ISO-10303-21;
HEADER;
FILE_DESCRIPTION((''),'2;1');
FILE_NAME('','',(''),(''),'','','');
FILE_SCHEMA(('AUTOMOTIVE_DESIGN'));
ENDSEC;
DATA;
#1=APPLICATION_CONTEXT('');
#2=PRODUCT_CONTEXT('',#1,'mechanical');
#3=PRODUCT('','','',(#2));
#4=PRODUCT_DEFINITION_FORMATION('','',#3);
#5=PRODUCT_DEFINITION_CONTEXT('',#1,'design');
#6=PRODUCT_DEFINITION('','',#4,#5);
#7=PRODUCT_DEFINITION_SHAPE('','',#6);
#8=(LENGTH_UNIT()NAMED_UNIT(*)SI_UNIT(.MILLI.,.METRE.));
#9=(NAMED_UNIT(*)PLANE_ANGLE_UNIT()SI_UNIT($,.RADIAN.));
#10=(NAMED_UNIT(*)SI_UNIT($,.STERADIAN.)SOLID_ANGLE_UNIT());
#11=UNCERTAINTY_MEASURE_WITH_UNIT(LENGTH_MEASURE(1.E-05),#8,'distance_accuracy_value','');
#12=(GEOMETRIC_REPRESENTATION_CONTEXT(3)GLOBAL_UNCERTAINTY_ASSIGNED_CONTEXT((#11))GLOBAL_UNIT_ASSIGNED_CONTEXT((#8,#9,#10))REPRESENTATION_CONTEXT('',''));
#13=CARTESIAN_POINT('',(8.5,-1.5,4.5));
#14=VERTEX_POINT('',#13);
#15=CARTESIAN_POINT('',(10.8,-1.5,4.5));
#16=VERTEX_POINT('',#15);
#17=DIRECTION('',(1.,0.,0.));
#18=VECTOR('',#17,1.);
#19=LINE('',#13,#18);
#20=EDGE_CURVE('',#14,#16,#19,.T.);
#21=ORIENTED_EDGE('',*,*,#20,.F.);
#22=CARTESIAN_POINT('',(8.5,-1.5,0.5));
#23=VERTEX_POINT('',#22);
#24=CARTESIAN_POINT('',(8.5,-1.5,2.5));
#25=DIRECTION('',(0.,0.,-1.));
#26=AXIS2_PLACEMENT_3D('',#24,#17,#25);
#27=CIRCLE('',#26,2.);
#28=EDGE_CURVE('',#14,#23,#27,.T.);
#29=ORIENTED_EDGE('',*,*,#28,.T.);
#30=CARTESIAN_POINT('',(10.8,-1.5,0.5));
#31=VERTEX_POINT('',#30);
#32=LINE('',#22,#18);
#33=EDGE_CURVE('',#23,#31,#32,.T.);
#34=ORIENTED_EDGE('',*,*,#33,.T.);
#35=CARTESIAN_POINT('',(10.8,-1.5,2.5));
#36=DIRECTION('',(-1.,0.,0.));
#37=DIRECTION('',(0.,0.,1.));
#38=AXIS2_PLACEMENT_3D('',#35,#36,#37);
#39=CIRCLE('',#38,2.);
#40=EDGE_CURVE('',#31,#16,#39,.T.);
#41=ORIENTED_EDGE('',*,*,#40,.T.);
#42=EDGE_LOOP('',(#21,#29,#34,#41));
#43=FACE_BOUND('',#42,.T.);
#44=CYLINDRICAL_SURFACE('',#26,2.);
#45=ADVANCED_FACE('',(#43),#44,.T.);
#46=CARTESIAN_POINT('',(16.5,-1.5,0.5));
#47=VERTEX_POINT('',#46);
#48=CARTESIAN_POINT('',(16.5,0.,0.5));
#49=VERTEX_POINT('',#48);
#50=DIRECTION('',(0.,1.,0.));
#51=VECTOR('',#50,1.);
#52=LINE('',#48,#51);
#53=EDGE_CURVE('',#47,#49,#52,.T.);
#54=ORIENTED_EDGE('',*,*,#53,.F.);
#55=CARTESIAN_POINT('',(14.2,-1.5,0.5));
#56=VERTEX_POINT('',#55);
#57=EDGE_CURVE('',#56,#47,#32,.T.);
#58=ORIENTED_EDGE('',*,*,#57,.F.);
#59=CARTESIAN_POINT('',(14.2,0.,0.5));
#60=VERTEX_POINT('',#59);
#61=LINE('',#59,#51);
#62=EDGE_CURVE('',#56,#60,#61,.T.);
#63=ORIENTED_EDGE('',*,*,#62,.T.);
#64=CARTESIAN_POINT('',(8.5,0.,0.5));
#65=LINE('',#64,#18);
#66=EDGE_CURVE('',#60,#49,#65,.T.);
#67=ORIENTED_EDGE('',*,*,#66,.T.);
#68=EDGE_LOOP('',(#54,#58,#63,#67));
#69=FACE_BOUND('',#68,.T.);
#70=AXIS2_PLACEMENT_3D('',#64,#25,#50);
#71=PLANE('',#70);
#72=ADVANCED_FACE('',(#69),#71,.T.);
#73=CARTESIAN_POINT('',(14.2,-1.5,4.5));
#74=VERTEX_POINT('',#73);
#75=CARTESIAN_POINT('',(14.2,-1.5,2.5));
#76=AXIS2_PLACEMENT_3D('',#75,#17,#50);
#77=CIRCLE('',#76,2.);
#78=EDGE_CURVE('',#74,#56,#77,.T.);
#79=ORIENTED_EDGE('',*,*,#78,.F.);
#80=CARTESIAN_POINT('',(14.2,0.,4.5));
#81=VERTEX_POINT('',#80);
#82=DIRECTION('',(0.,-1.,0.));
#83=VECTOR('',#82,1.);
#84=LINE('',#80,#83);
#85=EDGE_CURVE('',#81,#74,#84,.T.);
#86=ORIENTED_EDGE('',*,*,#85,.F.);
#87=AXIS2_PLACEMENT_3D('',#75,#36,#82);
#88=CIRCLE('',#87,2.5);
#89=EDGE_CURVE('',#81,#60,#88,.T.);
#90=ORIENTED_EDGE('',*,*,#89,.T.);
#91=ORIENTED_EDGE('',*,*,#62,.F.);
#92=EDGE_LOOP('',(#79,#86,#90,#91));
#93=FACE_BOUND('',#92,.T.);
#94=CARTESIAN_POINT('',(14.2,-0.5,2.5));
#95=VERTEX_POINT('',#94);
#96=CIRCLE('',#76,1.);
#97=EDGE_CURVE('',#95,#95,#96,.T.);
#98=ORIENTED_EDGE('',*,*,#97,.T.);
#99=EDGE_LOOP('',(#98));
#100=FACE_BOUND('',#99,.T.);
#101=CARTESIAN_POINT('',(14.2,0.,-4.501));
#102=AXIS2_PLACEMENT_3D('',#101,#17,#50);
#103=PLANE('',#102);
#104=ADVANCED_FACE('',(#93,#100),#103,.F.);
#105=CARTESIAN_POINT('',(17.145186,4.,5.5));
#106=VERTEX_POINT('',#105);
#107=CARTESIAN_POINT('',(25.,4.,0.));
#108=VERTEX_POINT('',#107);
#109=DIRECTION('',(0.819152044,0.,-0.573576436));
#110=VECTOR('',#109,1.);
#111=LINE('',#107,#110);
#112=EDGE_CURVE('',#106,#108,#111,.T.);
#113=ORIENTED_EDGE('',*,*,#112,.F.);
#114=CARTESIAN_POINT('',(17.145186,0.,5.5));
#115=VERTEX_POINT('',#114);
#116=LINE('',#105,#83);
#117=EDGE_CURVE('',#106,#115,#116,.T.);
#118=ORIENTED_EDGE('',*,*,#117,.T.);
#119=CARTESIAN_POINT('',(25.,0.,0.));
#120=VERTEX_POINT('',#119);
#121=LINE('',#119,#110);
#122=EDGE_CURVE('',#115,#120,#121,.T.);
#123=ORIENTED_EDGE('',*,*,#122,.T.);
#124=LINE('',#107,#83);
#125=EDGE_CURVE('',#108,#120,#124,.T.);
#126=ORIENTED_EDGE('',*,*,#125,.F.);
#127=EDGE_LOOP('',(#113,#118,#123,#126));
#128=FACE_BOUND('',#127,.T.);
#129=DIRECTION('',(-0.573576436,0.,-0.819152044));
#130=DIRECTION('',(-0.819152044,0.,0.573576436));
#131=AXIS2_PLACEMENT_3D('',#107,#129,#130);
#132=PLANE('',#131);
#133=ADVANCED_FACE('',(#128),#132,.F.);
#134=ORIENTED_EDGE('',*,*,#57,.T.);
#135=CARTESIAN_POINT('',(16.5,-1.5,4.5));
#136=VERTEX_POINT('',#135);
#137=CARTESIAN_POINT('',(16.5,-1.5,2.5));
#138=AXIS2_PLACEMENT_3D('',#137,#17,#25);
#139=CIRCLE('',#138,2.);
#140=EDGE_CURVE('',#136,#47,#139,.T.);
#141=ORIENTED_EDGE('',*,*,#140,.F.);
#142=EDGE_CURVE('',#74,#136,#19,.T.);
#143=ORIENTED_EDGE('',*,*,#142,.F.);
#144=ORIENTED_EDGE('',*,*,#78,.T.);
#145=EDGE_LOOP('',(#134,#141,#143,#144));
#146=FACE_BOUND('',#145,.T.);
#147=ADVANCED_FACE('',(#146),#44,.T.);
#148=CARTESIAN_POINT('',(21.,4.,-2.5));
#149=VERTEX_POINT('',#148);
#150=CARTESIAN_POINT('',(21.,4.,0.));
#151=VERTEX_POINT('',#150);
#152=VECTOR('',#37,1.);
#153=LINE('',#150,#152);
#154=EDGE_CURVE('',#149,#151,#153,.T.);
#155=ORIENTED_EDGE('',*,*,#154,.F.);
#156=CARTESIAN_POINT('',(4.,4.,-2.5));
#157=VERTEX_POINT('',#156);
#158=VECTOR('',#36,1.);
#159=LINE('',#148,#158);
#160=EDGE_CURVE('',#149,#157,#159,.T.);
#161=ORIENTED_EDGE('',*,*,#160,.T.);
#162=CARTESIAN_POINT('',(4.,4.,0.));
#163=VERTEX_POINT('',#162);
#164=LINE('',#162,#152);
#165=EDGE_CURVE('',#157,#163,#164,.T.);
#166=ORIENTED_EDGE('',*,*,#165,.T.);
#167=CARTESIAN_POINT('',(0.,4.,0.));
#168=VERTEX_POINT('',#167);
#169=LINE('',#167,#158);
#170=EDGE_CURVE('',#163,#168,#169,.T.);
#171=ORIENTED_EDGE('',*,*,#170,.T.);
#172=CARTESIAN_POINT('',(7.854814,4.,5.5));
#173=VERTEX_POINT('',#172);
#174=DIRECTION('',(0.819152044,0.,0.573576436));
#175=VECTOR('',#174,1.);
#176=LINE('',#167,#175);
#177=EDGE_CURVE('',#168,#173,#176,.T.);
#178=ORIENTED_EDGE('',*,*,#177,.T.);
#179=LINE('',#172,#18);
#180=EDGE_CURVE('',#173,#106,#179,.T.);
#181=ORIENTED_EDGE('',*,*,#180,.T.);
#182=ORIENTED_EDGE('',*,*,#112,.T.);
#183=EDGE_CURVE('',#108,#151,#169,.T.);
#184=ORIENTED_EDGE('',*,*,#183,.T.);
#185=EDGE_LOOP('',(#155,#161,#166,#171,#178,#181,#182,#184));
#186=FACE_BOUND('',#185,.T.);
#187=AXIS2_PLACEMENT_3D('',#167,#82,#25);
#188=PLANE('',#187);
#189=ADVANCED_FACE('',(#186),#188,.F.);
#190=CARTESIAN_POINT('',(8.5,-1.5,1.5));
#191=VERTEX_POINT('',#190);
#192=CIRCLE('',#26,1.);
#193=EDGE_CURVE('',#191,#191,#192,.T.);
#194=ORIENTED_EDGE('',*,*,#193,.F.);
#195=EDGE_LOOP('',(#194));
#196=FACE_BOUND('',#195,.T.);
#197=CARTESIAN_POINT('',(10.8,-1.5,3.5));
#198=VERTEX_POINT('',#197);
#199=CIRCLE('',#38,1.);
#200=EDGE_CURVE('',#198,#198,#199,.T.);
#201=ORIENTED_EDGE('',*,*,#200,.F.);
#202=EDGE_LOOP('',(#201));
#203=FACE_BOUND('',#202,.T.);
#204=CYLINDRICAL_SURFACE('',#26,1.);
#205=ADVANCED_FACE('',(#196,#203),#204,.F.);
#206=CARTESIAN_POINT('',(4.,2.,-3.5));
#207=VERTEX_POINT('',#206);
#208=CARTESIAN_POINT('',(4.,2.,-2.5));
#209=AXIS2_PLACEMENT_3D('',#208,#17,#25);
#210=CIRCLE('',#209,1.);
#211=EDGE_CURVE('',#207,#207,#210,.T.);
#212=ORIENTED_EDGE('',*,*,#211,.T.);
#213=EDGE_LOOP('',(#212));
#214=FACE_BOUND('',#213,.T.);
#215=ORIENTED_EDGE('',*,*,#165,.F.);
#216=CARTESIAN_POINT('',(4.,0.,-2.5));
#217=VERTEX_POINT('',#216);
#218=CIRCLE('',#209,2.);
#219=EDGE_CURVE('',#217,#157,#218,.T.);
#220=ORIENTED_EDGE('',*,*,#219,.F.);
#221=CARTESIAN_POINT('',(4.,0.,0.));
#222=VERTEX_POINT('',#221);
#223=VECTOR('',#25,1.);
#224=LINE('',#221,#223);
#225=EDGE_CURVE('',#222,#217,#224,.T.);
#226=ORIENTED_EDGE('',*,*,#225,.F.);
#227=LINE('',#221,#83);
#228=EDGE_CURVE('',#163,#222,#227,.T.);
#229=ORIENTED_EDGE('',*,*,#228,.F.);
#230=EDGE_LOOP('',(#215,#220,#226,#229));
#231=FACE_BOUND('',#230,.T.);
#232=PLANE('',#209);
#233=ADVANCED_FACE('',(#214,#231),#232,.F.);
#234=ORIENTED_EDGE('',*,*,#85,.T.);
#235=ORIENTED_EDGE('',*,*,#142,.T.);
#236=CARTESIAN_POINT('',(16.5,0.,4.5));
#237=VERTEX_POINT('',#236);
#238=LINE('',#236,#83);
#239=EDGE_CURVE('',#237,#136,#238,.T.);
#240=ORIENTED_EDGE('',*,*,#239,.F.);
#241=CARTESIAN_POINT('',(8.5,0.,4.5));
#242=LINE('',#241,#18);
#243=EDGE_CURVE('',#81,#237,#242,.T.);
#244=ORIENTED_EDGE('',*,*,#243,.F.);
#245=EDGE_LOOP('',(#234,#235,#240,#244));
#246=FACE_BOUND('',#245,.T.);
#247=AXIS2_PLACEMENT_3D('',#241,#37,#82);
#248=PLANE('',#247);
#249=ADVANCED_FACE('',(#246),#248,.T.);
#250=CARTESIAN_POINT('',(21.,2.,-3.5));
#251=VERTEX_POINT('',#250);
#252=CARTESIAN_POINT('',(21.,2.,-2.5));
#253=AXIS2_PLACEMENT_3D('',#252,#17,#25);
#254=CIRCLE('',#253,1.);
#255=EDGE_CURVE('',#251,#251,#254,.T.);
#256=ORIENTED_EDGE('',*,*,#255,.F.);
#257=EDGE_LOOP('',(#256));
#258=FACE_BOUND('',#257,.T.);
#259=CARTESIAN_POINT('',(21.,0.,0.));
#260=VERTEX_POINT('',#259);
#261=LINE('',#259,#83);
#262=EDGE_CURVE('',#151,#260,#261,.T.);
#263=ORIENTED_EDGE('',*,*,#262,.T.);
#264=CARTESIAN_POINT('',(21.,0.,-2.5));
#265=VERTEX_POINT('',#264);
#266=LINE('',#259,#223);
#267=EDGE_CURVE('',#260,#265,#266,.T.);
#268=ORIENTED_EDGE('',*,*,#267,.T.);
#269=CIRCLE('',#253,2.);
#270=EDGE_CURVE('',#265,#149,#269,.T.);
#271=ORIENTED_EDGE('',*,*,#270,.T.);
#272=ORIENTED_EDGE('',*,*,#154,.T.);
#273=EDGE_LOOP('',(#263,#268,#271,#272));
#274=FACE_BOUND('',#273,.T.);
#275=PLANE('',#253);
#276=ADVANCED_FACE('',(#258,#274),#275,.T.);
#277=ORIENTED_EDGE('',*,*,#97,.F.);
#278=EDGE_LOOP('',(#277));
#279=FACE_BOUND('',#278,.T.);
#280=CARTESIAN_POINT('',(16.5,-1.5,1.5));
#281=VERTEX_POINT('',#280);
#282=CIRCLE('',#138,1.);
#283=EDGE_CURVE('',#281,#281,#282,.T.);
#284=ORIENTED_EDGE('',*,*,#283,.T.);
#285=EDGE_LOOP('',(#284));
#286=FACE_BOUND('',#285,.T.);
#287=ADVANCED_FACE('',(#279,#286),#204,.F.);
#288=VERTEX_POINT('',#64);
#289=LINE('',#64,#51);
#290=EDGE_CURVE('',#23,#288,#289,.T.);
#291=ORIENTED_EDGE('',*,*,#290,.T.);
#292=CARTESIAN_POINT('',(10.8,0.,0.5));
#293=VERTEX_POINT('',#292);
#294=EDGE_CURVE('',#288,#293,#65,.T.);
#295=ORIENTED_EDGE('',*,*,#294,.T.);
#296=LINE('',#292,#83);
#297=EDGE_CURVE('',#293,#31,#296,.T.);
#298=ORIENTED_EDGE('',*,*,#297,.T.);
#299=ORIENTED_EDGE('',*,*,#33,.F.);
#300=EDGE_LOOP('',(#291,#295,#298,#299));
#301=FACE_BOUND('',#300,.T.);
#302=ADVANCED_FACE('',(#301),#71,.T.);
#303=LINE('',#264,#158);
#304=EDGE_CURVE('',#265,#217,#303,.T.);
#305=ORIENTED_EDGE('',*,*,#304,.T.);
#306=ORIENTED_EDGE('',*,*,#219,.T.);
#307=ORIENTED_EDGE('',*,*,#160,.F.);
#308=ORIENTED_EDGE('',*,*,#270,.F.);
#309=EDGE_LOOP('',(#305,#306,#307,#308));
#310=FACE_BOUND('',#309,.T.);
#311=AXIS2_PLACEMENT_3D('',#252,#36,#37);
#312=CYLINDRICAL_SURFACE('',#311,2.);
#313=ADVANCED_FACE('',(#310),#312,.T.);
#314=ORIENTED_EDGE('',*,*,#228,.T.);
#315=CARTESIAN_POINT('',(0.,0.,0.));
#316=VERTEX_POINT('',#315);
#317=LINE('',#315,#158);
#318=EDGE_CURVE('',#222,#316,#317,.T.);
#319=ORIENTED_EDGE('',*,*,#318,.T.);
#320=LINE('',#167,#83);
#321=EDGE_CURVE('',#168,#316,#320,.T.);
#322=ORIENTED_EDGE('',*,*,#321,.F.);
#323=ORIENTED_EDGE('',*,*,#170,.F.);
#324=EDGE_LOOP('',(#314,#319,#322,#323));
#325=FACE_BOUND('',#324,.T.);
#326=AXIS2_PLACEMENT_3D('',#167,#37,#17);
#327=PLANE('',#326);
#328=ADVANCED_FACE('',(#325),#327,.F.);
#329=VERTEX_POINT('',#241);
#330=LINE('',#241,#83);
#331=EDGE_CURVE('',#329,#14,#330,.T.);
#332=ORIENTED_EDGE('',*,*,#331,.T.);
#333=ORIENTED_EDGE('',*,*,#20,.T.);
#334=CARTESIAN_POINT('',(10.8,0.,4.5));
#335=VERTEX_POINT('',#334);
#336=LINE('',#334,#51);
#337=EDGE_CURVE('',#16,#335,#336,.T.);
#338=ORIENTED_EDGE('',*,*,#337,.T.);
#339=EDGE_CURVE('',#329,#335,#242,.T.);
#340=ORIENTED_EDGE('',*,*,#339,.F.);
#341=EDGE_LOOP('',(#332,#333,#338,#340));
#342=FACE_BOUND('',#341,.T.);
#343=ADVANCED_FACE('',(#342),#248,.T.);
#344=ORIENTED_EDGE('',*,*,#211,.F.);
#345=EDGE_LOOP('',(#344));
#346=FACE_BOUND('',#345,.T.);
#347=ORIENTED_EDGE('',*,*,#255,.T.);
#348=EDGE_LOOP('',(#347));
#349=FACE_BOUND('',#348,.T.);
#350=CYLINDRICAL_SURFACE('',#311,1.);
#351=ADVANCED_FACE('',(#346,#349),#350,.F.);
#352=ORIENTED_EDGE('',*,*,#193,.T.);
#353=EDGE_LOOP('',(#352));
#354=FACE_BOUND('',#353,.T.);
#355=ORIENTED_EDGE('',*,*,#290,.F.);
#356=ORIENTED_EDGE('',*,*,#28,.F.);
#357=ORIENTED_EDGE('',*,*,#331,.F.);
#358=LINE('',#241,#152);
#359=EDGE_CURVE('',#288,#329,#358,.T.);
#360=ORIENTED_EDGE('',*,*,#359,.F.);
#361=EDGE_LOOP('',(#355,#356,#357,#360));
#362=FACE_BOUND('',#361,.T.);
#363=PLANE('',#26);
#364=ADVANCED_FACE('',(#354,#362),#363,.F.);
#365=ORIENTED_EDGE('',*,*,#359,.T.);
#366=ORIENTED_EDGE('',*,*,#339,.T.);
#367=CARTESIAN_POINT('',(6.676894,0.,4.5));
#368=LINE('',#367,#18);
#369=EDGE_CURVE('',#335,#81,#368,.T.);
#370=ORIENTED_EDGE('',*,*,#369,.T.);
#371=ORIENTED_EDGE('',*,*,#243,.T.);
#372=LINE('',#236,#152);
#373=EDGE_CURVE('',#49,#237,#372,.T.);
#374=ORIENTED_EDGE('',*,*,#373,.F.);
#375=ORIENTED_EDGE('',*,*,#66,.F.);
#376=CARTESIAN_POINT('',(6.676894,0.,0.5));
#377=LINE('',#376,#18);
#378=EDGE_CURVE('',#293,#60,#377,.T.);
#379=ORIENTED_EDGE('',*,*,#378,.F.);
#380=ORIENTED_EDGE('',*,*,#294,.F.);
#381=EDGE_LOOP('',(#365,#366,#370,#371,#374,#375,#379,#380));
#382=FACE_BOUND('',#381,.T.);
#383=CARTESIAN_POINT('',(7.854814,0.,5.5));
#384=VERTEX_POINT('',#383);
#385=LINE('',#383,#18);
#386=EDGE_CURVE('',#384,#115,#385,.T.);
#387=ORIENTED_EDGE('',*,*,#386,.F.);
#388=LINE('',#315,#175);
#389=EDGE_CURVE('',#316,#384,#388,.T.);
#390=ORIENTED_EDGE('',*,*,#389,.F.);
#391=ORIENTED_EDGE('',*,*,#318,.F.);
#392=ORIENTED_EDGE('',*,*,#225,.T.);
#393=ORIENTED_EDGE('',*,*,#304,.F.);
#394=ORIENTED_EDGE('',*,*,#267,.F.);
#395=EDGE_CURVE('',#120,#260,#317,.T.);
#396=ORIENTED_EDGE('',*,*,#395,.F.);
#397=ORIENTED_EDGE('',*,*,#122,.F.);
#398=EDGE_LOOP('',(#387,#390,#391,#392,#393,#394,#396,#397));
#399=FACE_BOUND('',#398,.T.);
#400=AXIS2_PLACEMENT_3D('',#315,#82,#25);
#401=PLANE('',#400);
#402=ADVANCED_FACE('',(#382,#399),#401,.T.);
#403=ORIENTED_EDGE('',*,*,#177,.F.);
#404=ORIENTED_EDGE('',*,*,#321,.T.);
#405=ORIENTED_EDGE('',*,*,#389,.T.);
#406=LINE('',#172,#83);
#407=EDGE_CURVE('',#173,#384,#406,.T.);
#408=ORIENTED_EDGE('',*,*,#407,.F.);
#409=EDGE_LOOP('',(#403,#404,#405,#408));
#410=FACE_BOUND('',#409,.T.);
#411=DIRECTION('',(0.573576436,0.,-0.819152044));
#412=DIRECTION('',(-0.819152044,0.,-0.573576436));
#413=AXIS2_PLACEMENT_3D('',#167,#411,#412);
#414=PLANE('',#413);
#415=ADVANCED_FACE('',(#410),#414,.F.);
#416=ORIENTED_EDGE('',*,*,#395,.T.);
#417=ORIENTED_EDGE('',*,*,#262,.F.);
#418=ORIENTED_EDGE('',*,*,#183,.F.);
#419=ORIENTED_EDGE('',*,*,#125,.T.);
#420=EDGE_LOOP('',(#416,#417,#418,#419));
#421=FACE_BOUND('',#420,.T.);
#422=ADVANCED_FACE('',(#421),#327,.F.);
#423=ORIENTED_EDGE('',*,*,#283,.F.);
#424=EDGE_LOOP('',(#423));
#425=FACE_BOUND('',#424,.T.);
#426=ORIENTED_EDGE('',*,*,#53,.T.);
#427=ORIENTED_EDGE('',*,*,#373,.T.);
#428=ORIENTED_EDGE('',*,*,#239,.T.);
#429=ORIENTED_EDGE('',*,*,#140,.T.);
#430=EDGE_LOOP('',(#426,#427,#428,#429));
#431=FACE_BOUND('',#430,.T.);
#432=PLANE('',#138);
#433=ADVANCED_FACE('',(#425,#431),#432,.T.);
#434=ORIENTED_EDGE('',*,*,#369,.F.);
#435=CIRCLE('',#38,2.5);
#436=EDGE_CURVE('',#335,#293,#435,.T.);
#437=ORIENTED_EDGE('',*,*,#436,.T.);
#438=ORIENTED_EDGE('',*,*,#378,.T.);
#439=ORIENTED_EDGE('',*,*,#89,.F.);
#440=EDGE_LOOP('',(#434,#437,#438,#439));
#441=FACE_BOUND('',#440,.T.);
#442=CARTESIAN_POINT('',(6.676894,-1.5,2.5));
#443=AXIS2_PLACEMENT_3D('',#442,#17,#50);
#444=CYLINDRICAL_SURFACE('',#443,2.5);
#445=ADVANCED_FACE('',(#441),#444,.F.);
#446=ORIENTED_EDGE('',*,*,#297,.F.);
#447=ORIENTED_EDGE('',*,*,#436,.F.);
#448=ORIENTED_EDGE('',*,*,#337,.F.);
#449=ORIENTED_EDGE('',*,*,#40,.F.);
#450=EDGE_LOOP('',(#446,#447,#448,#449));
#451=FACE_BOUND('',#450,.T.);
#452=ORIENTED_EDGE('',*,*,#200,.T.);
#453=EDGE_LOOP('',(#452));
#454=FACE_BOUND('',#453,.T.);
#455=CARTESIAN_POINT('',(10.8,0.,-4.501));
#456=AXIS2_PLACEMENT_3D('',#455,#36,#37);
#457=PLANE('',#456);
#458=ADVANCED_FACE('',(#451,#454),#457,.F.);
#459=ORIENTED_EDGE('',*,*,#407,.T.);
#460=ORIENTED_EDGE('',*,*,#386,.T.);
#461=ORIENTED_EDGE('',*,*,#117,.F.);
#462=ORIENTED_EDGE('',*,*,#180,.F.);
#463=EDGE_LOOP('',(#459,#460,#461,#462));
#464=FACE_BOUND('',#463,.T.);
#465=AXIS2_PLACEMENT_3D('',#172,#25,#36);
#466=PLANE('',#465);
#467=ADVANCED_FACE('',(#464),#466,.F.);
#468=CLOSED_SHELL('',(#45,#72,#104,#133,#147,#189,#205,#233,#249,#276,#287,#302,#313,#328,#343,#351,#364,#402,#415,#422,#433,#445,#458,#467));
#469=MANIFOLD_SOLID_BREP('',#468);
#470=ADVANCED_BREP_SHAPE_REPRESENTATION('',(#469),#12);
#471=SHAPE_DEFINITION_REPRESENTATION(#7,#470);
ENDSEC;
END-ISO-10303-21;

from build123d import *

# Parameters (mm, degrees)
BOSS_EXTRUDE1_DEPTH      = 4
BOSS_EXTRUDE2_START      = 4
SKETCH2_R                = 1
BOSS_EXTRUDE2_DEPTH      = 17
BOSS_EXTRUDE3_DEPTH      = 4
BOSS_EXTRUDE3_DEPTH_BACK = 4
BOSS_EXTRUDE3_START      = 12.5
SKETCH3_R                = 1
CUT_EXTRUDE1_REACH       = 29.221
SKETCH4_W                = 3.4
SKETCH4_H                = 3.5
CUT_EXTRUDE2_DEPTH       = 3.4


with BuildPart() as part:
    # Sketch1 → Boss-Extrude1 (new body)
    with BuildSketch(Plane(origin=(0, 0, 0), x_dir=(1, 0, 0), z_dir=(0, 1, 0))):
        Polygon((0, 0), (7.854814037, -5.5), (17.145185963, -5.5), (25, 0), align=None)
    extrude(amount=BOSS_EXTRUDE1_DEPTH)

    # Sketch2 → Boss-Extrude2 (add)
    with BuildSketch(Plane(origin=(0, 0, 0), x_dir=(0, 0, -1), z_dir=(1, 0, 0)).offset(BOSS_EXTRUDE2_START)):
        with BuildLine():
            Line((0, 0), (2.5, 0))
            ThreePointArc((2.5, 0), (4.5, 2), (2.5, 4))
            Line((2.5, 4), (0, 4))
            Line((0, 4), (0, 0))
        make_face()
        with Locations((2.5, 2)):
            Circle(SKETCH2_R, mode=Mode.SUBTRACT)
    extrude(amount=BOSS_EXTRUDE2_DEPTH)

    # Sketch3 → Boss-Extrude3 (add, two sides: drawn at the far end of the back side and taken through both)
    with BuildSketch(Plane(origin=(0, 0, 0), x_dir=(0, 0, -1), z_dir=(1, 0, 0)).offset(BOSS_EXTRUDE3_START - BOSS_EXTRUDE3_DEPTH_BACK)):
        with BuildLine():
            Line((-4.5, 0), (-0.5, 0))
            Line((-0.5, 0), (-0.5, -1.5))
            ThreePointArc((-0.5, -1.5), (-2.5, -3.5), (-4.5, -1.5))
            Line((-4.5, -1.5), (-4.5, 0))
        make_face()
        with Locations((-2.5, -1.5)):
            Circle(SKETCH3_R, mode=Mode.SUBTRACT)
    extrude(amount=BOSS_EXTRUDE3_DEPTH + BOSS_EXTRUDE3_DEPTH_BACK)

    # Sketch4 → Cut-Extrude1 (cut, up to next)
    with BuildSketch(Plane.XY.offset(5.5), mode=Mode.PRIVATE) as cut_extrude1_sk1:
        with Locations((12.5, -1.75)):
            Rectangle(SKETCH4_W, SKETCH4_H)
    cut_extrude1_tool1 = extrude(cut_extrude1_sk1.sketch, amount=-CUT_EXTRUDE1_REACH, mode=Mode.PRIVATE) & part.part
    add(cut_extrude1_tool1.solids().sort_by_distance((12.5, -1.75, 5.5))[0], mode=Mode.SUBTRACT)

    # Sketch5 → Cut-Extrude2 (cut)
    with BuildSketch(Plane.ZY.offset(-14.2)):
        with BuildLine():
            Line((4.5, 0), (0.5, 0))
            ThreePointArc((0.5, 0), (2.5, 1), (4.5, 0))
        make_face()
    extrude(amount=CUT_EXTRUDE2_DEPTH, mode=Mode.SUBTRACT)


solid = part.part
